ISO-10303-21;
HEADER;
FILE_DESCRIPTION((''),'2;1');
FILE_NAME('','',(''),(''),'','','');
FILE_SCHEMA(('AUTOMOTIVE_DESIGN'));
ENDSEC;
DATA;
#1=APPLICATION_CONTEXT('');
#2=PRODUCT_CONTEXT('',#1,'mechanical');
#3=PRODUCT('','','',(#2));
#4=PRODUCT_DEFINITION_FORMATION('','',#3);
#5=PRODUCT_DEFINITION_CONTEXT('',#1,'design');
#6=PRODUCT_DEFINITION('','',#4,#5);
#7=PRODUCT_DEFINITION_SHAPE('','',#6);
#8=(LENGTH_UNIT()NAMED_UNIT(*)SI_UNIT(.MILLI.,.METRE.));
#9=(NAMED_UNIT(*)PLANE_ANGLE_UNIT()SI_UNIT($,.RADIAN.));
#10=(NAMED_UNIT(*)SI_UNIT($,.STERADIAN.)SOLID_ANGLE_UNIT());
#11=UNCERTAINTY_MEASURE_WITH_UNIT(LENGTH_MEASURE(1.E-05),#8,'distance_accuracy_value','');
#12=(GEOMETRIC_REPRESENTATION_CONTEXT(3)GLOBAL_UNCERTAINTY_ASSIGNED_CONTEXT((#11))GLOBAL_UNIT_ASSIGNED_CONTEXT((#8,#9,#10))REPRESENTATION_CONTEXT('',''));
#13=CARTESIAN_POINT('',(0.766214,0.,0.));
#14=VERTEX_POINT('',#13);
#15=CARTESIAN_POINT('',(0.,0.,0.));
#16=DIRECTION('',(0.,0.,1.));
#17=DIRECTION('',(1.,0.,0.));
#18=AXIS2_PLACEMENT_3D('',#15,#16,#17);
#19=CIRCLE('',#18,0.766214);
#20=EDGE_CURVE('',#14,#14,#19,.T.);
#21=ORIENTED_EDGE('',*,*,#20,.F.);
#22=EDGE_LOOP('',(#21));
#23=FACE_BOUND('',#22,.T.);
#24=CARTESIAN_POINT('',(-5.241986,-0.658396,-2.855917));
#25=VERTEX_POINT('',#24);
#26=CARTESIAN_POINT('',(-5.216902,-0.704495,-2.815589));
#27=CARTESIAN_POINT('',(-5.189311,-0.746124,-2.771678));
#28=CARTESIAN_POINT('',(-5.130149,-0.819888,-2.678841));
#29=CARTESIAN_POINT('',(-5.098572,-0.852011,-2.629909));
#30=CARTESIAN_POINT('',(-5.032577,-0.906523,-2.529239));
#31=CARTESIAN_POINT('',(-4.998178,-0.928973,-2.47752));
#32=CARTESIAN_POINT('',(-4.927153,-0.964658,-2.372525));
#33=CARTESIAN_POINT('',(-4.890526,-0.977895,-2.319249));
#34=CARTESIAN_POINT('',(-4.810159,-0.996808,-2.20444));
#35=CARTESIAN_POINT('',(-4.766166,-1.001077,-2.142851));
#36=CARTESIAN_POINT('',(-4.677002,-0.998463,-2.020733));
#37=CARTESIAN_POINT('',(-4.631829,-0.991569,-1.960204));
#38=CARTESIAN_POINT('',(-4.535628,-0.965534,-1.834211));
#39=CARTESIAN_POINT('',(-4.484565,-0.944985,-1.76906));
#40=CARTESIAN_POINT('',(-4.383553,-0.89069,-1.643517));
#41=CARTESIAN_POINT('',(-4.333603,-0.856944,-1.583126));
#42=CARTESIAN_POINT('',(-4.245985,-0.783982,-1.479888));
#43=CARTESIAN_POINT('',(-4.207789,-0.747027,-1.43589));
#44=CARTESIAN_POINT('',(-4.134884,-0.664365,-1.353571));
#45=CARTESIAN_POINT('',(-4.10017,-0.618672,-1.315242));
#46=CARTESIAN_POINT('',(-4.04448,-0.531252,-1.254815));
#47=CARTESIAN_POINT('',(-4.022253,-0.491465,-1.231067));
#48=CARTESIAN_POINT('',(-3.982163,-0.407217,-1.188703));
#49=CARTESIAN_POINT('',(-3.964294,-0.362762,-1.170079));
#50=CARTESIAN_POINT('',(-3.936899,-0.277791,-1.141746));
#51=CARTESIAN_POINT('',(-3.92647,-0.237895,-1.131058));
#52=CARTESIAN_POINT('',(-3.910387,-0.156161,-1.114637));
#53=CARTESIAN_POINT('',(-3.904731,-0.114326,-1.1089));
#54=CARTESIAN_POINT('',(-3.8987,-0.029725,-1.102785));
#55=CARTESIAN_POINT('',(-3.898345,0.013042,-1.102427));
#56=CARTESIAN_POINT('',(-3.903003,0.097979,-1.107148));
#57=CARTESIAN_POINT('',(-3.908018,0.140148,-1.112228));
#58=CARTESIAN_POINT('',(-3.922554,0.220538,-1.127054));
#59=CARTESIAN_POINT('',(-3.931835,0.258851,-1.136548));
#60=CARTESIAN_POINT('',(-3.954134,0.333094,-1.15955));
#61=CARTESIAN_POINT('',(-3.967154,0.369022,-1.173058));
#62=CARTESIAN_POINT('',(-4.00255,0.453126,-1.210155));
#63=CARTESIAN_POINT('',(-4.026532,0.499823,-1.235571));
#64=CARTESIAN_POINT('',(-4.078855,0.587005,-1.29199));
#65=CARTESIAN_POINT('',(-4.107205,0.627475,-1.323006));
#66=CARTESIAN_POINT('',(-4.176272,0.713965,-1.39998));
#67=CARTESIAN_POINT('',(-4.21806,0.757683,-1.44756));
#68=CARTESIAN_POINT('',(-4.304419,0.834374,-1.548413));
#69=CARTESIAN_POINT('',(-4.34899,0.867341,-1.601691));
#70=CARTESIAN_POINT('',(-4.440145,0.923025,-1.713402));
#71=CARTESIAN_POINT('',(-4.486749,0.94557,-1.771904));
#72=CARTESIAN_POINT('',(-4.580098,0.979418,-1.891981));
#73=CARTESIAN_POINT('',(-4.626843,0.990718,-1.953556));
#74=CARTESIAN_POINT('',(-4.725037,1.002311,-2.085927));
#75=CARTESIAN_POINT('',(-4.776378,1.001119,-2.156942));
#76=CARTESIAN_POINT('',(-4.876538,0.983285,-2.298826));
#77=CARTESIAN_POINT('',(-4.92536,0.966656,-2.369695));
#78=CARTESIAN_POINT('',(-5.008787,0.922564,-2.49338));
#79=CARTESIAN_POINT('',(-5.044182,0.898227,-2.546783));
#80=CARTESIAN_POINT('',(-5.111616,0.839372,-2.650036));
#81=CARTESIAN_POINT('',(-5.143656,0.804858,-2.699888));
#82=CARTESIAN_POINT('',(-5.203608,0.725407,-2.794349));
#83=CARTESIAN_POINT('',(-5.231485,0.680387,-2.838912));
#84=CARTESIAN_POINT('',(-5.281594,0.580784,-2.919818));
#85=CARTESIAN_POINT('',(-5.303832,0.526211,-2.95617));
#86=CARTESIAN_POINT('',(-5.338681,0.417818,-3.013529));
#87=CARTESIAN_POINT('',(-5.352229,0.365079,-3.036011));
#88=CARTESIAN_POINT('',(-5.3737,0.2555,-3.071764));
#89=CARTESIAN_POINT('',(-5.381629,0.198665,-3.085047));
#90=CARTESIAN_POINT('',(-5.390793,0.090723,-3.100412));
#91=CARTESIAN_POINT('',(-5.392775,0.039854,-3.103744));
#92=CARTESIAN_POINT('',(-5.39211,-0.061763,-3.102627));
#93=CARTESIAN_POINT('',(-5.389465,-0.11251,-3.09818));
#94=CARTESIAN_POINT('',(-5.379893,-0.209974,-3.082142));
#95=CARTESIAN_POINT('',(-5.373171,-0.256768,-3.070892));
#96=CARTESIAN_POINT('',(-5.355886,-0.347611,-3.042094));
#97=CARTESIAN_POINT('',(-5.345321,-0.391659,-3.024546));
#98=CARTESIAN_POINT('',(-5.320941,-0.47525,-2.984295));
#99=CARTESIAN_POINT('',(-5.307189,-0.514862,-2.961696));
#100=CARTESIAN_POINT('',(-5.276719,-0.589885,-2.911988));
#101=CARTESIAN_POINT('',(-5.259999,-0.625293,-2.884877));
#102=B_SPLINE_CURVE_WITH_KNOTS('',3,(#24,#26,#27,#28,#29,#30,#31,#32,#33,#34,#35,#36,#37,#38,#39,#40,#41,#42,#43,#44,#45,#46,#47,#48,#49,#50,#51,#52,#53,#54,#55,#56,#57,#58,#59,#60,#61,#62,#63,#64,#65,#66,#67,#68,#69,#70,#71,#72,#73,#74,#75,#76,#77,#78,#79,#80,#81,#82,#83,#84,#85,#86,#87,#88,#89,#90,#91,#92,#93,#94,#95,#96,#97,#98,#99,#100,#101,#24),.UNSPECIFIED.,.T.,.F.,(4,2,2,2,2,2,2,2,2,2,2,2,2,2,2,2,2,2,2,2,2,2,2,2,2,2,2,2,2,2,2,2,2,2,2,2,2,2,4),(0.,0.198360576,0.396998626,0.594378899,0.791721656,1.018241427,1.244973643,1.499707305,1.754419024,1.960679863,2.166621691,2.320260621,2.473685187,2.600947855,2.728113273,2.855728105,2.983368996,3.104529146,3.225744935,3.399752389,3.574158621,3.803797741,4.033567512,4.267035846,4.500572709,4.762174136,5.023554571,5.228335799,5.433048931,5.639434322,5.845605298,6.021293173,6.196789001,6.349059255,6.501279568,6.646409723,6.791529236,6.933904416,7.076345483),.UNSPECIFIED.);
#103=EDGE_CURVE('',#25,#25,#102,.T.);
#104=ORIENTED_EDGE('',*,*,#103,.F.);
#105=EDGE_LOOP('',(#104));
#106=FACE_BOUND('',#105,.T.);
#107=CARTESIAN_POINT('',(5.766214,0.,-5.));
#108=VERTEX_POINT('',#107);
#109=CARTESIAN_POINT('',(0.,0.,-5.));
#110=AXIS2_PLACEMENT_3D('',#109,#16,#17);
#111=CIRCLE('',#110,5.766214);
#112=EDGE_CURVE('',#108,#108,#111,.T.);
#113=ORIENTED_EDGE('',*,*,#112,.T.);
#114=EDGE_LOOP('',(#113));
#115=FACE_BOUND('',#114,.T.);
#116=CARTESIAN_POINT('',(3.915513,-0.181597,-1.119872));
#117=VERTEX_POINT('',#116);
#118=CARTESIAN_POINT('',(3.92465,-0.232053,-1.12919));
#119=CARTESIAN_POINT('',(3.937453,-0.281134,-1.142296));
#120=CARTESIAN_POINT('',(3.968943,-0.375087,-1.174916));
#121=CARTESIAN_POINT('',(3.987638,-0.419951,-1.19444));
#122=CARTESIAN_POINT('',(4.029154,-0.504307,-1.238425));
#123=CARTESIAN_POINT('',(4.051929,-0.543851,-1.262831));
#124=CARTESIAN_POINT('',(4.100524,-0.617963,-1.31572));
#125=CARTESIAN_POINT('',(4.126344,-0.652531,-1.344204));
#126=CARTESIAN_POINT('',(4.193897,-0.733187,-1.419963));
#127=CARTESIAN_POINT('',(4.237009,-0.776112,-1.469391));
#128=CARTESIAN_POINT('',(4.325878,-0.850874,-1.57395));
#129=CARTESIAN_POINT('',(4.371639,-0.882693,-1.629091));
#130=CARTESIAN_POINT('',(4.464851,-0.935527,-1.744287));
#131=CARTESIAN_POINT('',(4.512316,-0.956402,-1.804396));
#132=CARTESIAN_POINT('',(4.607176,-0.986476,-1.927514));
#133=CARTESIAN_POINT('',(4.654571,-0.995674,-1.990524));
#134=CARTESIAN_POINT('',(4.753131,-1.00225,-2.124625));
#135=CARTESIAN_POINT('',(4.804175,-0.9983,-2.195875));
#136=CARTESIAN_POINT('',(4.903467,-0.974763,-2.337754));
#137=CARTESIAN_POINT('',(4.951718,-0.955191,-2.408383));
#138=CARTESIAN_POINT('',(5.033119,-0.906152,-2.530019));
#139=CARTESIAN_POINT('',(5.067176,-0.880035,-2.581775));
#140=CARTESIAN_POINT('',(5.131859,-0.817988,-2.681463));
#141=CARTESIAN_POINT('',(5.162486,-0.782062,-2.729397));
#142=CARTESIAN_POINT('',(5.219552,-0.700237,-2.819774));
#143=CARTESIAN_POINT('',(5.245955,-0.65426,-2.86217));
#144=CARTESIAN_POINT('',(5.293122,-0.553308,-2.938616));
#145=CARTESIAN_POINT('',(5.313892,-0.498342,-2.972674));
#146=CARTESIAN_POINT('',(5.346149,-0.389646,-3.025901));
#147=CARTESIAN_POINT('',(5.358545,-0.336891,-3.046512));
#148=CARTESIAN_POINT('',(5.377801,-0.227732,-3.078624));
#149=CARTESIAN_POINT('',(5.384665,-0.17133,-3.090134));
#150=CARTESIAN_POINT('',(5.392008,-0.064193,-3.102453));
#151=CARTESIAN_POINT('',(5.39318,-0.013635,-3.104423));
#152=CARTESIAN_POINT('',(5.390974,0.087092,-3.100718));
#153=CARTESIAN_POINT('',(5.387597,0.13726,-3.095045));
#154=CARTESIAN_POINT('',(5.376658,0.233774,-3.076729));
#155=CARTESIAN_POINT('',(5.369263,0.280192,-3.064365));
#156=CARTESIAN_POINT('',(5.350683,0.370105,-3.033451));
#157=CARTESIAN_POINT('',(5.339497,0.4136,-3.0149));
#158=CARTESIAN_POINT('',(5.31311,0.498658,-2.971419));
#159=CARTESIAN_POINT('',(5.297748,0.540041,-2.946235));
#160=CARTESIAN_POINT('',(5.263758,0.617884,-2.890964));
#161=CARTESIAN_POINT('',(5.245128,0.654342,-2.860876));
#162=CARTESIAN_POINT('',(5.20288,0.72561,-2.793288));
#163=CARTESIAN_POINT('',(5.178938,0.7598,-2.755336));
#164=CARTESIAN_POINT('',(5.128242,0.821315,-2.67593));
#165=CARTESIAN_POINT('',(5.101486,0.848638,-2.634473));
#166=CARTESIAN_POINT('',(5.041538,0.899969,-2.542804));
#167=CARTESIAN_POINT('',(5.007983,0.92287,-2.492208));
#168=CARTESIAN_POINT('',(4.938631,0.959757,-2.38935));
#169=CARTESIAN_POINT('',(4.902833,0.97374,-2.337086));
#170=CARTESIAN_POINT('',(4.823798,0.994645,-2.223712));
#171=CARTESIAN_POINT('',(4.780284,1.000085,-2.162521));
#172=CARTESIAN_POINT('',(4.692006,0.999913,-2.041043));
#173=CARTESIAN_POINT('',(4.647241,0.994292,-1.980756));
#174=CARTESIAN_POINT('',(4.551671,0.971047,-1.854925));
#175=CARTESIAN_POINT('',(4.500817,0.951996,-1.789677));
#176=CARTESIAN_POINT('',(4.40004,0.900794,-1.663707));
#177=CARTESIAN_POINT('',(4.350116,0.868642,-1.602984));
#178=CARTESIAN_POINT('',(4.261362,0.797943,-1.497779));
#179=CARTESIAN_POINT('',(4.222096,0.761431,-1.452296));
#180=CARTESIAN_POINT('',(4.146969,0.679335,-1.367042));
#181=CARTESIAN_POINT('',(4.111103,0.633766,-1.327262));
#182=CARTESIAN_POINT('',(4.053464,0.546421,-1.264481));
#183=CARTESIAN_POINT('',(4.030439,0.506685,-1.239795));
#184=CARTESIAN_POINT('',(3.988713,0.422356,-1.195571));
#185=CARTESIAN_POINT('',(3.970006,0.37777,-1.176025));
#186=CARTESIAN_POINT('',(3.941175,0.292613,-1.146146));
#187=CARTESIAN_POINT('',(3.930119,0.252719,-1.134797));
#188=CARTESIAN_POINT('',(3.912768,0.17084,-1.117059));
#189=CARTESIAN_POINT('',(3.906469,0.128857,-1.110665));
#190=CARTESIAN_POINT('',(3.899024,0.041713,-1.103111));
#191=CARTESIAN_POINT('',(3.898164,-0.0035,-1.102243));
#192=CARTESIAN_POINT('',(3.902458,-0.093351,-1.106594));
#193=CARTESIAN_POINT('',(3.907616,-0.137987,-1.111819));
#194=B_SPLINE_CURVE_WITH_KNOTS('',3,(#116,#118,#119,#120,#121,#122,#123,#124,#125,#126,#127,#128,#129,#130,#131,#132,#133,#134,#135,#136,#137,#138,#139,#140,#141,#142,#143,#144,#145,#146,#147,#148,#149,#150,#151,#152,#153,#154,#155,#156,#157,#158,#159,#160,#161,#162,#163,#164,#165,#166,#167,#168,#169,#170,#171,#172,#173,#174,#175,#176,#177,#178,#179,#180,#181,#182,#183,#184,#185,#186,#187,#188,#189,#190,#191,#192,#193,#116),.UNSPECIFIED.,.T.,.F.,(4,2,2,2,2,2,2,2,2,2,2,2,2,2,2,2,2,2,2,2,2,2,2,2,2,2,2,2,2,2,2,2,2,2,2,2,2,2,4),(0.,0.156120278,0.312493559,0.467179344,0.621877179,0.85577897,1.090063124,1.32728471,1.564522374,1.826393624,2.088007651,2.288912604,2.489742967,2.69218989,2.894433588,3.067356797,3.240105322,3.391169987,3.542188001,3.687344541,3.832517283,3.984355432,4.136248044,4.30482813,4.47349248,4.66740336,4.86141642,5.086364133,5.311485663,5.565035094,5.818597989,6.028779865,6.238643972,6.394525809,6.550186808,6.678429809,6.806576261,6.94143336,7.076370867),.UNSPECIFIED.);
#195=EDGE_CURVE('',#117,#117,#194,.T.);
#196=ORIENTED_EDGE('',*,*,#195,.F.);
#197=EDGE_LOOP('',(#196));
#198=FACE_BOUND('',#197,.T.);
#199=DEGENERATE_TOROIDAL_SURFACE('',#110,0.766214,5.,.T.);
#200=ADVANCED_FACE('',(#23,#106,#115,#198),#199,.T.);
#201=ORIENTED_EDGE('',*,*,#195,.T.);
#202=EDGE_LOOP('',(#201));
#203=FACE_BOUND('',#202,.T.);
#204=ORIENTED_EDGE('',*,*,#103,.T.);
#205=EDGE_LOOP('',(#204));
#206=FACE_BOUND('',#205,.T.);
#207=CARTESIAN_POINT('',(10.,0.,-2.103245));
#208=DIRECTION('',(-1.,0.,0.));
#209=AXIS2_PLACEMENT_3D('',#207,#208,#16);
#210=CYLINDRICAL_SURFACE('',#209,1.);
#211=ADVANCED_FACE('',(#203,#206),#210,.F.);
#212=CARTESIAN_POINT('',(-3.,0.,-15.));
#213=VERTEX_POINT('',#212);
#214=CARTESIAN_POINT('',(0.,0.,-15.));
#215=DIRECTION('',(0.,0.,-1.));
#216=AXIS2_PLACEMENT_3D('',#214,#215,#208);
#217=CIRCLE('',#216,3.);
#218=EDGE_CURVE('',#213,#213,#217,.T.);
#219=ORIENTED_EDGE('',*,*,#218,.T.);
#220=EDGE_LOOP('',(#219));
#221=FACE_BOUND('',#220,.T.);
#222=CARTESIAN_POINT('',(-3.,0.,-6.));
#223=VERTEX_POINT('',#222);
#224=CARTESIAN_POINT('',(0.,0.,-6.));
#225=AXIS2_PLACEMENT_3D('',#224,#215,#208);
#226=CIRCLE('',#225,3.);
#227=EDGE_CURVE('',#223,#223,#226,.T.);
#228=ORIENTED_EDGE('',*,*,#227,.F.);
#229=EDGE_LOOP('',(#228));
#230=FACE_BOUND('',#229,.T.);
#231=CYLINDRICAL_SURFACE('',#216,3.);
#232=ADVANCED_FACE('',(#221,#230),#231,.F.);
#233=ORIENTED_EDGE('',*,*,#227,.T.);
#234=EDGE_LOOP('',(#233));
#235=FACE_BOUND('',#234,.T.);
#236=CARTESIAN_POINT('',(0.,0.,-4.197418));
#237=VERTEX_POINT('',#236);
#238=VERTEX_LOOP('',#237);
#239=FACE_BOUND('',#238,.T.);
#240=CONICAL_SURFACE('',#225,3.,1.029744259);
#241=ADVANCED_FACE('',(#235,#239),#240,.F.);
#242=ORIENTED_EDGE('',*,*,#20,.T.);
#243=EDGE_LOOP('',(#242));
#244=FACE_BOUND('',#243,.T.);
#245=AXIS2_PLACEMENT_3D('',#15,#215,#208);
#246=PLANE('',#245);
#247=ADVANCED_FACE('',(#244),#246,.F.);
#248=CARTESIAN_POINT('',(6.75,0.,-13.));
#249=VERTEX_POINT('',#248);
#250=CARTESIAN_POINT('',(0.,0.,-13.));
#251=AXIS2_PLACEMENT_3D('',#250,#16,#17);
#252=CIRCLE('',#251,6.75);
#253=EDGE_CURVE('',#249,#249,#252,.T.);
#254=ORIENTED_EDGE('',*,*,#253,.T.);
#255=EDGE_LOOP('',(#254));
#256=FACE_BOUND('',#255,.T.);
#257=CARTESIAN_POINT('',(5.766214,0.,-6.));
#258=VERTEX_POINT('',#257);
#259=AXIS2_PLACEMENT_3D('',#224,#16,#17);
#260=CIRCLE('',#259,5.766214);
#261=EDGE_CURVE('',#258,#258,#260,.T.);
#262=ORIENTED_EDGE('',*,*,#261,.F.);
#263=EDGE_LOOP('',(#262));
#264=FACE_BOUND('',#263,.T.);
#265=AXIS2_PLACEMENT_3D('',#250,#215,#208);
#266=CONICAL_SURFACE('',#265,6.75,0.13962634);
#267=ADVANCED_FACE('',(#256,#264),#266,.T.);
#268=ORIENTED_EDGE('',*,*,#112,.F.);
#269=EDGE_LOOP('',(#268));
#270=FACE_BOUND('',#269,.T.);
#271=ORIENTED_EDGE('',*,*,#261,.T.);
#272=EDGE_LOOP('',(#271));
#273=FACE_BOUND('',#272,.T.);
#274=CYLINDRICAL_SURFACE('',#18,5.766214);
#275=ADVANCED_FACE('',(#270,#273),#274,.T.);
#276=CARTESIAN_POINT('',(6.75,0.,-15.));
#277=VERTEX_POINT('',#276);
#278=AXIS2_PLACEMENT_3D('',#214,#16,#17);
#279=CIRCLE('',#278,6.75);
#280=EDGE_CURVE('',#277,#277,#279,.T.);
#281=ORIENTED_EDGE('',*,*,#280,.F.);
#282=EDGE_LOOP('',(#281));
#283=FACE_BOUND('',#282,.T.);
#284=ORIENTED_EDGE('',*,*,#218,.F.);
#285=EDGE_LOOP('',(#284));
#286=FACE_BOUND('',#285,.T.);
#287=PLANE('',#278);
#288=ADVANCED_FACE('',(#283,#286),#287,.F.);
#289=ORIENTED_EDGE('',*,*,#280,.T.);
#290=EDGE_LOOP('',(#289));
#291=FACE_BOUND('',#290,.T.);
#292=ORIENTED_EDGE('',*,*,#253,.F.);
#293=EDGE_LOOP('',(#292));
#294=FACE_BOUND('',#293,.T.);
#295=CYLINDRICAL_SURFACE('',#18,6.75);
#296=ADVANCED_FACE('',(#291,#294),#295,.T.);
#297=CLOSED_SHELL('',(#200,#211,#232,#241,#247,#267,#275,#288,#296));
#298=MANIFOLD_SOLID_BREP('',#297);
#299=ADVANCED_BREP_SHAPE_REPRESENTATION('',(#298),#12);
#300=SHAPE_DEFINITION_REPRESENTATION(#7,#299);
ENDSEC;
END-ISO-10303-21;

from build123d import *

# Parameters (mm, degrees)
F_6_0MM_DOWEL_HOLE1_D     = 6
F_6_0MM_DOWEL_HOLE1_DEPTH = 9
F_6_0MM_DOWEL_HOLE1_TIP   = 1.802581857
CUT_EXTRUDE1_DEPTH        = 10
CUT_EXTRUDE1_DEPTH_BACK   = 10
SKETCH4_R                 = 1


with BuildPart() as part:
    # Sketch1 → Revolve1 (revolve)
    with BuildSketch(Plane(origin=(0, 0, 0), x_dir=(1, 0, 0), z_dir=(0, 1, 0))):
        with BuildLine():
            Line((0, 0), (-0.766214157, 0))
            ThreePointArc((-0.766214157, 0), (-4.301748063, 1.464466094), (-5.766214157, 5))
            Line((-5.766214157, 5), (-5.766214157, 6))
            Line((-5.766214157, 6), (-6.75, 13))
            Line((-6.75, 13), (-6.75, 15))
            Line((-6.75, 15), (0, 15))
            Line((0, 15), (0, 0))
        make_face()
    revolve(axis=Axis((0, 0, 0), (0, 0, -1)))

    # Ø6.0mm Dowel Hole1
    with Locations(Plane(origin=(0, 0, -15), x_dir=(-1, 0, 0), z_dir=(0, 0, -1))):
        with Locations((0, 0)):
            Hole(F_6_0MM_DOWEL_HOLE1_D / 2, depth=F_6_0MM_DOWEL_HOLE1_DEPTH)
            with Locations((0, 0, -(F_6_0MM_DOWEL_HOLE1_DEPTH + F_6_0MM_DOWEL_HOLE1_TIP / 2))):  # 118° drill point
                Cone(0, F_6_0MM_DOWEL_HOLE1_D / 2, F_6_0MM_DOWEL_HOLE1_TIP, mode=Mode.SUBTRACT)

    # Sketch4 → Cut-Extrude1 (cut, two sides: drawn at the far end of the back side and taken through both)
    with BuildSketch(Plane(origin=(0, 0, 0), x_dir=(0, 0, -1), z_dir=(1, 0, 0)).offset(-CUT_EXTRUDE1_DEPTH_BACK)):
        with Locations((2.103245374, 0)):
            Circle(SKETCH4_R)
    extrude(amount=CUT_EXTRUDE1_DEPTH + CUT_EXTRUDE1_DEPTH_BACK, mode=Mode.SUBTRACT)


solid = part.part
